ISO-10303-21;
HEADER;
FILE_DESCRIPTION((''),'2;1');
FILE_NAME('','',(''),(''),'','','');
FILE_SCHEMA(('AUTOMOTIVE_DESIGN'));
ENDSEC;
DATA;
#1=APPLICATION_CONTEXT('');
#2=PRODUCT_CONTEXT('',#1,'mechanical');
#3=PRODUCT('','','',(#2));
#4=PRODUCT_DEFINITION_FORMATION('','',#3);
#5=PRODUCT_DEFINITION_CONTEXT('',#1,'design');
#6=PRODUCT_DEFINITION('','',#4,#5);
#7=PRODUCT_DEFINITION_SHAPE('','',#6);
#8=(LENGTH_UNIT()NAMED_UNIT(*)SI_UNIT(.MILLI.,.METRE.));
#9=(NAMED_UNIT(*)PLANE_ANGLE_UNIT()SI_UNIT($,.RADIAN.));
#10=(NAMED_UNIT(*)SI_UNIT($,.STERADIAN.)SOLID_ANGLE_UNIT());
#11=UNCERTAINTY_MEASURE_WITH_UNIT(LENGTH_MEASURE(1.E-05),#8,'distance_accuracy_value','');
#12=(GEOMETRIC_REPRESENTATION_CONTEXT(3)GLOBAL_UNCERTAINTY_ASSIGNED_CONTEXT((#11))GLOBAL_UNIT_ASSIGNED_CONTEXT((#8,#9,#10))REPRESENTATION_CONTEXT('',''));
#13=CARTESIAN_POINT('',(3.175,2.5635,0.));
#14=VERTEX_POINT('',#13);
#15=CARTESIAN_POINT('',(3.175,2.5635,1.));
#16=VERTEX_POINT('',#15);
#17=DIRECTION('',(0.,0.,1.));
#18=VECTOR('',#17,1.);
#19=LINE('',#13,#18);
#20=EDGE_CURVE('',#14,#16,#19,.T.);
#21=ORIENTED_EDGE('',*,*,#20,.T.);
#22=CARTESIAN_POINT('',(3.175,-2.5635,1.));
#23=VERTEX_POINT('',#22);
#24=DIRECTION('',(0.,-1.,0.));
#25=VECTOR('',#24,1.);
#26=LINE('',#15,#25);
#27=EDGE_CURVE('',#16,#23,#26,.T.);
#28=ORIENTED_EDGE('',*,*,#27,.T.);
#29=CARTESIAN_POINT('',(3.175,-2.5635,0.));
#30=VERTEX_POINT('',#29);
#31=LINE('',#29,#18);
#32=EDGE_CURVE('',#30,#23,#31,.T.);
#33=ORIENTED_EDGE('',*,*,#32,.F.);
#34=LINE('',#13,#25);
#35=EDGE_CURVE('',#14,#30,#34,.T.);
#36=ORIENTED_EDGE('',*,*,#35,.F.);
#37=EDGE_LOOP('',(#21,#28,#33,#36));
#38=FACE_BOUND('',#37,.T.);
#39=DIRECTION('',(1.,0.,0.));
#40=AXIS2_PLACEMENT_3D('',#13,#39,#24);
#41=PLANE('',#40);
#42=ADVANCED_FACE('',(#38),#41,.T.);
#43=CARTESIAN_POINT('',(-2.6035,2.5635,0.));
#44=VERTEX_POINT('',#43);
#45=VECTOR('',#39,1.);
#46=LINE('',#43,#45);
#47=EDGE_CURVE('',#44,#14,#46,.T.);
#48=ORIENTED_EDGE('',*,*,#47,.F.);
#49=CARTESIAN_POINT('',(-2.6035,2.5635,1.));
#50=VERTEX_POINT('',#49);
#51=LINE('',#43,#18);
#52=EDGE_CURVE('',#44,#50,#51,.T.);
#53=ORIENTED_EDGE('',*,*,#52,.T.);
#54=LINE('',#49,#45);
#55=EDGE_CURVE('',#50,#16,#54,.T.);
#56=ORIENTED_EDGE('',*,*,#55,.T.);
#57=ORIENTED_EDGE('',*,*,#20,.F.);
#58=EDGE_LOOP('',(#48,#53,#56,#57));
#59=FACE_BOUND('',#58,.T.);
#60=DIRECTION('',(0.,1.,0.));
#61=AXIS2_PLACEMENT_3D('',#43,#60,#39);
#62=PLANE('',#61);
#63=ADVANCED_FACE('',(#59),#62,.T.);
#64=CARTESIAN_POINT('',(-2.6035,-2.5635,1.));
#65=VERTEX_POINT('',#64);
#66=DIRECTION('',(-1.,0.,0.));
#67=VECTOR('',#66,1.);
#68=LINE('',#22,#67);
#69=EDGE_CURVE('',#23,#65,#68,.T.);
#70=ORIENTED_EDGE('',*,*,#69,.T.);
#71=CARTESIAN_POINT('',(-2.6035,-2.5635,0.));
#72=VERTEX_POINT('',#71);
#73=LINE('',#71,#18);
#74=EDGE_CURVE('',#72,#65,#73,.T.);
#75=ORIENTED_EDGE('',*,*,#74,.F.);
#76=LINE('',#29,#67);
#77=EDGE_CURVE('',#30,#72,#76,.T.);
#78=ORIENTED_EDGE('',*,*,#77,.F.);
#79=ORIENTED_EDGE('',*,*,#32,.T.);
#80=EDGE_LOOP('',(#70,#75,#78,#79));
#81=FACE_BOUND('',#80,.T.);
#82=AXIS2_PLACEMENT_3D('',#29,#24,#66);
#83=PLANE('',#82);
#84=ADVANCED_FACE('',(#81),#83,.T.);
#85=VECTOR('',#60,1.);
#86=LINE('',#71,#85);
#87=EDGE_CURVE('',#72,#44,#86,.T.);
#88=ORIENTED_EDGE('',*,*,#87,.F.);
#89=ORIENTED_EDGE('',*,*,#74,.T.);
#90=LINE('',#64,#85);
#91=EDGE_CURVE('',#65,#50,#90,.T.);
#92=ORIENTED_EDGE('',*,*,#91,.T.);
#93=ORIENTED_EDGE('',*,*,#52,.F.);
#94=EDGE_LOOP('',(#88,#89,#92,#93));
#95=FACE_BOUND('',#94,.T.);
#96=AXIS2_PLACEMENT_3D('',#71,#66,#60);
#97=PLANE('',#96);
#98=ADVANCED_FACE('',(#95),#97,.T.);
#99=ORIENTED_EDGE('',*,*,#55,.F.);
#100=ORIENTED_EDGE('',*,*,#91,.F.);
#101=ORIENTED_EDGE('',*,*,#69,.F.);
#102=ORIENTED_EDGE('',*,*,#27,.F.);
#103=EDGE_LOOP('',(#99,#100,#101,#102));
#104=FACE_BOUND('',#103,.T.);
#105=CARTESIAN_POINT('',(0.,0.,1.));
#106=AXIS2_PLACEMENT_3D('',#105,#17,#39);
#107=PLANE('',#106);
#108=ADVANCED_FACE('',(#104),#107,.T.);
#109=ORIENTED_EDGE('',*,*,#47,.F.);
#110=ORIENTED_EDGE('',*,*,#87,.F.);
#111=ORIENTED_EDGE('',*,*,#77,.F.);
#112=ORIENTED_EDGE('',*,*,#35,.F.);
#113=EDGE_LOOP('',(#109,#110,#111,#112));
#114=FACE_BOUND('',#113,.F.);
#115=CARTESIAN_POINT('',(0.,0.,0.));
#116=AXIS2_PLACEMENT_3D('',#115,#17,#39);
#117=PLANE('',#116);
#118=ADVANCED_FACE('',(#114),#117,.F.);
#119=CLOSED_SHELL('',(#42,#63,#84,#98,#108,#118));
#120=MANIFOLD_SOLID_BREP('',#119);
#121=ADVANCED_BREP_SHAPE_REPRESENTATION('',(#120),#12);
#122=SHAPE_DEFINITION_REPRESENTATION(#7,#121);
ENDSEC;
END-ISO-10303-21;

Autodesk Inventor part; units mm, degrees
ref_plane "YZ Plane" through (0, 0, 0) normal (1, 0, 0) x (0, 1, 0)
ref_plane "XZ Plane" through (0, 0, 0) normal (0, 1, 0) x (-1, 0, 0)
ref_plane "XY Plane" through (0, 0, 0) normal (0, 0, 1) x (1, 0, 0)
sketch "LED5MMRGB, RGBLED_CA-5MM_21" plane through (0, 0, 0) normal (0, 0, 1) x (1, 0, 0)
  line L0 (-2.6035, 2.5635) -> (3.175, 2.5635)
  line L1 (3.175, 2.5635) -> (3.175, -2.5635)
  line L2 (3.175, -2.5635) -> (-2.6035, -2.5635)
  line L3 (-2.6035, -2.5635) -> (-2.6035, 2.5635)
extrude "Extrusion1" add sketch "LED5MMRGB, RGBLED_CA-5MM_21" along normal blind 1
properties part number "RGBLED_CA-5MM"
